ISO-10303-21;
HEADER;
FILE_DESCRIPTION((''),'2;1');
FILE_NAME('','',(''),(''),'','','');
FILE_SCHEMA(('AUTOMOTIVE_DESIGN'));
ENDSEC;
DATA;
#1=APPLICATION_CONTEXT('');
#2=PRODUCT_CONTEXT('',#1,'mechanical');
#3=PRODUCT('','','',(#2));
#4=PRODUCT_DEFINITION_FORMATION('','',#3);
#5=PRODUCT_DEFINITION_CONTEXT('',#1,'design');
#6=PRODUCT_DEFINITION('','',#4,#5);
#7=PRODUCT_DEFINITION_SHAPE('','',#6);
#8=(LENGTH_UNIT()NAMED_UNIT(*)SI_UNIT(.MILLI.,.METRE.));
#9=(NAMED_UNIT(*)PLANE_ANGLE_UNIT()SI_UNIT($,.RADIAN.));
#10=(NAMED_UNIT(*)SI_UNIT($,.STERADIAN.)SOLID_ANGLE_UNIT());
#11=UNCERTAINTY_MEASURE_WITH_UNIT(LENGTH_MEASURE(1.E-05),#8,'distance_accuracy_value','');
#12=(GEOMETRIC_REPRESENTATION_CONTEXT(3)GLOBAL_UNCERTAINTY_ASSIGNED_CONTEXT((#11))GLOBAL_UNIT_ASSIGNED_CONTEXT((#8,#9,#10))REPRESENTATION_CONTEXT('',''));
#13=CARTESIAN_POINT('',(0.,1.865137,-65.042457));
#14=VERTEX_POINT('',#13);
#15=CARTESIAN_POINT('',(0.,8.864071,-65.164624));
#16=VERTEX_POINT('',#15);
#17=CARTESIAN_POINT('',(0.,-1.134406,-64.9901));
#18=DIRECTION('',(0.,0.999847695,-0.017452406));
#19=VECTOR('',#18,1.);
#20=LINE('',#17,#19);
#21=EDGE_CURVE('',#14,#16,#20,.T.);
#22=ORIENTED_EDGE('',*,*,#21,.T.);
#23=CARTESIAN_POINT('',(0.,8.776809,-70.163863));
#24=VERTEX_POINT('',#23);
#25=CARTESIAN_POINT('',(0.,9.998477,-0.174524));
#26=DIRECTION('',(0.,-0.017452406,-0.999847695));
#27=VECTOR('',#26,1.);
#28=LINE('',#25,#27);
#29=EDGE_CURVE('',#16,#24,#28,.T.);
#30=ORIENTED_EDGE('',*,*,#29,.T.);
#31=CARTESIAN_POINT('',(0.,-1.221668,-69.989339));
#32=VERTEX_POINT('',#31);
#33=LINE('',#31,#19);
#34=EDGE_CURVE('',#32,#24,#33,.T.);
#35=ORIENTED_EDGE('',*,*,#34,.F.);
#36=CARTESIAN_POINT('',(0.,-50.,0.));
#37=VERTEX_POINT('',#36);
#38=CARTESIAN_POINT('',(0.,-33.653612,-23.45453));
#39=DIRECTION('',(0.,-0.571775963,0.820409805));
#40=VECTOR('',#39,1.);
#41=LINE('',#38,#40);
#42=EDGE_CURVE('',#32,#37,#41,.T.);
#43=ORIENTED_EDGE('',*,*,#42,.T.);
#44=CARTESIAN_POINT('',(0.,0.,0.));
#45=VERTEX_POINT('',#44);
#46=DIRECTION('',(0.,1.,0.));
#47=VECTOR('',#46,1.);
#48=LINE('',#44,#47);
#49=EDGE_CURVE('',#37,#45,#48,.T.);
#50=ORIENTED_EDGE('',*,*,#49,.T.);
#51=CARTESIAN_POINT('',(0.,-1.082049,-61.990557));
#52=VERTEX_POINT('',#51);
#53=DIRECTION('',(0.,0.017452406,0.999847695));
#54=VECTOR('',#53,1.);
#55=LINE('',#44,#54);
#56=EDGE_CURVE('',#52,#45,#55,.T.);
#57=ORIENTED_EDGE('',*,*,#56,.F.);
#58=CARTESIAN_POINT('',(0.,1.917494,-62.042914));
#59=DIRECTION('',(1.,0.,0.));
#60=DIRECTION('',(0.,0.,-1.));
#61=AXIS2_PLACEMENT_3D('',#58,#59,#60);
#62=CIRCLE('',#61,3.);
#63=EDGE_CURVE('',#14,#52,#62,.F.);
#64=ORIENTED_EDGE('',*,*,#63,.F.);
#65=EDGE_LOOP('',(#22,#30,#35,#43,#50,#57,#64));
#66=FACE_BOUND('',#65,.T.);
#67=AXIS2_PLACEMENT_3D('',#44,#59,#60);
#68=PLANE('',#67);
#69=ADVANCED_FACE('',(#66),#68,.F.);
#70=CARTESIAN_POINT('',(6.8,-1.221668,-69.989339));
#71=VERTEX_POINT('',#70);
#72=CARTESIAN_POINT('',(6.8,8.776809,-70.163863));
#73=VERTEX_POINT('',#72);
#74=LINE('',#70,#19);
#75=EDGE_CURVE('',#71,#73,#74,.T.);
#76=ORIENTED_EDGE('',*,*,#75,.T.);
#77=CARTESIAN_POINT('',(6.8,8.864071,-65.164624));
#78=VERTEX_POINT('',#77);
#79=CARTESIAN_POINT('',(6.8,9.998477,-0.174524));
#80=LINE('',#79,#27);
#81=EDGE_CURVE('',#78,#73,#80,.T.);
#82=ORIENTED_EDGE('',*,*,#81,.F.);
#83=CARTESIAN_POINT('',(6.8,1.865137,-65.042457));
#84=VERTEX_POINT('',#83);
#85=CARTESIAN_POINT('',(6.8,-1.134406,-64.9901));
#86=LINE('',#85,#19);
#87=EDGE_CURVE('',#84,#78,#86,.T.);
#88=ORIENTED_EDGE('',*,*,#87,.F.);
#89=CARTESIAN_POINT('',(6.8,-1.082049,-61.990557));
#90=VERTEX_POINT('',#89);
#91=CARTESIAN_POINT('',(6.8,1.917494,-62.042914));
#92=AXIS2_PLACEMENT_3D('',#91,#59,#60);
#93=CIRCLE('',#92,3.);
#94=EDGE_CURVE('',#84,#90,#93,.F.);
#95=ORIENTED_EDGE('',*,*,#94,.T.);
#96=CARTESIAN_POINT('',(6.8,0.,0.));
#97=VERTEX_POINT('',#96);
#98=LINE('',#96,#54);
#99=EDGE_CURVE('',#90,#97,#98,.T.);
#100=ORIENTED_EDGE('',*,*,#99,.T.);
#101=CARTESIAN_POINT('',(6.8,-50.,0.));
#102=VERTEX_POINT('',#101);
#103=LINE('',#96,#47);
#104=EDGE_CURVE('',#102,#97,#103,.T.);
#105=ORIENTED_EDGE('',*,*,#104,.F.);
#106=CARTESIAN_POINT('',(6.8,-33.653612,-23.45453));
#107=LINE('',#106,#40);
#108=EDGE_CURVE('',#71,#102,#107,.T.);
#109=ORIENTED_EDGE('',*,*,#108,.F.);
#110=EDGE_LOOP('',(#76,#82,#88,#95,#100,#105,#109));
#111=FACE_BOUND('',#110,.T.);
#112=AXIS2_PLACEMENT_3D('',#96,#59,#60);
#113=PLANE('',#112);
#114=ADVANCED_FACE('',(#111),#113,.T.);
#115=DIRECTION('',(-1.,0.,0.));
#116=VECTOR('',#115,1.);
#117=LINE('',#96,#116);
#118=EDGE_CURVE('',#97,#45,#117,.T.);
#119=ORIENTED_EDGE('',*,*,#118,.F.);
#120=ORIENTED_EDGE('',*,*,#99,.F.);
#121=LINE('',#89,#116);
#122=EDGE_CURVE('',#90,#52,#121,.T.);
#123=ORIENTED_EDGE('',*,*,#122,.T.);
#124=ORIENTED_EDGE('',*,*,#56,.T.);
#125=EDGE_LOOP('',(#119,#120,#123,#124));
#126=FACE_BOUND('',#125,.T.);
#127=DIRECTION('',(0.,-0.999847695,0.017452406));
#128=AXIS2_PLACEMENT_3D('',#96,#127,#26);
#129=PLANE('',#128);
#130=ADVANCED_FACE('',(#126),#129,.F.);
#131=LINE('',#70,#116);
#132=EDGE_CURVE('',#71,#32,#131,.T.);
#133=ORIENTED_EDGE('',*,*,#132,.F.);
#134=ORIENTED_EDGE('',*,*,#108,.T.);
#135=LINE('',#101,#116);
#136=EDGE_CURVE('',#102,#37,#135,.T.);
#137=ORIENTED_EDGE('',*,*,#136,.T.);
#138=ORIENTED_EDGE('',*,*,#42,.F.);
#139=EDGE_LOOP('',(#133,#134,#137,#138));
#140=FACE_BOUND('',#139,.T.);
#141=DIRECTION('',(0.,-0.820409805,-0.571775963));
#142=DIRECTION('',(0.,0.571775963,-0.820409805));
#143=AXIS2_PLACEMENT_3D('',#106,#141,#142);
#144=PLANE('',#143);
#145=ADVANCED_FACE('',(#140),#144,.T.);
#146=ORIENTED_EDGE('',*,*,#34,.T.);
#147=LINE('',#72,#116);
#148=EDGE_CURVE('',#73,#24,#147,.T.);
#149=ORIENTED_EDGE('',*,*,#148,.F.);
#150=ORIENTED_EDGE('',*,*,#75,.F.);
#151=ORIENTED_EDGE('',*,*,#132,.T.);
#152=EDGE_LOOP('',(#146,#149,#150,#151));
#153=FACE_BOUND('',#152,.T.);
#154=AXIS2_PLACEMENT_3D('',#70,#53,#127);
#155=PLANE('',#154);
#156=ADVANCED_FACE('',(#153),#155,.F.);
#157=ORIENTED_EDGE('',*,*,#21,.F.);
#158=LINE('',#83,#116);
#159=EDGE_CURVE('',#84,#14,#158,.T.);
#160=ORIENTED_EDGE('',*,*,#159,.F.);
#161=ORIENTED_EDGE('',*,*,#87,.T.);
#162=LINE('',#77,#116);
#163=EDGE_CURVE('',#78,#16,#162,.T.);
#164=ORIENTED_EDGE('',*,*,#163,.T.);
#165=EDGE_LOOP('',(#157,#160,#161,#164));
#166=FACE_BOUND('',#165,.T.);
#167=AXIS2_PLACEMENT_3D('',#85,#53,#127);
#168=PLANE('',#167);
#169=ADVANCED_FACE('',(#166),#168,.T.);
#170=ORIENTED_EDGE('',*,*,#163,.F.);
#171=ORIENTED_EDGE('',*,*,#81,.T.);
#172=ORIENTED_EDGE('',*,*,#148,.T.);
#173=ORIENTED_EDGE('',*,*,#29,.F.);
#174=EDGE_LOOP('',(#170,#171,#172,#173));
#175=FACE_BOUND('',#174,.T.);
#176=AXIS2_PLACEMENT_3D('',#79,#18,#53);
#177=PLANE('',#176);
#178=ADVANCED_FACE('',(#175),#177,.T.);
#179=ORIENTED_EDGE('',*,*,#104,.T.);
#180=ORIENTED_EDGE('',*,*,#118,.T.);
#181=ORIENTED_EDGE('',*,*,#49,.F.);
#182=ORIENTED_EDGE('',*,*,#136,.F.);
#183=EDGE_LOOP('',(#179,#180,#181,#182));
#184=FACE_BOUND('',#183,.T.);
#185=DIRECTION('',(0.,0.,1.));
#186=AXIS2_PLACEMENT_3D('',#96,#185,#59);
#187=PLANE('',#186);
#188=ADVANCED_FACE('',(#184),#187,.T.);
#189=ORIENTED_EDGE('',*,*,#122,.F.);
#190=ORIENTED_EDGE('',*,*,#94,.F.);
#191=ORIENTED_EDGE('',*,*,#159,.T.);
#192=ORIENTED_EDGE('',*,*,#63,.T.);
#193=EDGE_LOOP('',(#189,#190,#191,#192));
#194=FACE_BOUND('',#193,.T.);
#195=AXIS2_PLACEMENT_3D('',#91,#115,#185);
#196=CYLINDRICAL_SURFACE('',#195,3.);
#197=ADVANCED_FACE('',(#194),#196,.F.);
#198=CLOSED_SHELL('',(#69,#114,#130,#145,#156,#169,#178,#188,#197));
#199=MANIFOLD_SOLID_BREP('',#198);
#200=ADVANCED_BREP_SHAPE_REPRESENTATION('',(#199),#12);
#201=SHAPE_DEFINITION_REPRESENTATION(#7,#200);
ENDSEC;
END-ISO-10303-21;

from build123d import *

# Parameters (mm, degrees)
SALIENTE_EXTRUIR1_DEPTH = 6.8


with BuildPart() as part:
    # Croquis1 → Saliente-Extruir1 (new body)
    with BuildSketch(Plane(origin=(0, 0, 0), x_dir=(0, 0, -1), z_dir=(1, 0, 0))):
        with BuildLine():
            Line((65.042457404, 1.865136667), (65.16462425, 8.864070533))
            Line((65.16462425, 8.864070533), (70.163862725, 8.776808501))
            Line((70.163862725, 8.776808501), (69.989338661, -1.221668451))
            Line((69.989338661, -1.221668451), (0, -50))
            Line((0, -50), (0, 0))
            Line((0, 0), (61.9905571, -1.082049199))
            ThreePointArc((61.9905571, -1.082049199), (64.12688943, -0.240525515), (65.042457404, 1.865136667))
        make_face()
    extrude(amount=SALIENTE_EXTRUIR1_DEPTH)


solid = part.part
